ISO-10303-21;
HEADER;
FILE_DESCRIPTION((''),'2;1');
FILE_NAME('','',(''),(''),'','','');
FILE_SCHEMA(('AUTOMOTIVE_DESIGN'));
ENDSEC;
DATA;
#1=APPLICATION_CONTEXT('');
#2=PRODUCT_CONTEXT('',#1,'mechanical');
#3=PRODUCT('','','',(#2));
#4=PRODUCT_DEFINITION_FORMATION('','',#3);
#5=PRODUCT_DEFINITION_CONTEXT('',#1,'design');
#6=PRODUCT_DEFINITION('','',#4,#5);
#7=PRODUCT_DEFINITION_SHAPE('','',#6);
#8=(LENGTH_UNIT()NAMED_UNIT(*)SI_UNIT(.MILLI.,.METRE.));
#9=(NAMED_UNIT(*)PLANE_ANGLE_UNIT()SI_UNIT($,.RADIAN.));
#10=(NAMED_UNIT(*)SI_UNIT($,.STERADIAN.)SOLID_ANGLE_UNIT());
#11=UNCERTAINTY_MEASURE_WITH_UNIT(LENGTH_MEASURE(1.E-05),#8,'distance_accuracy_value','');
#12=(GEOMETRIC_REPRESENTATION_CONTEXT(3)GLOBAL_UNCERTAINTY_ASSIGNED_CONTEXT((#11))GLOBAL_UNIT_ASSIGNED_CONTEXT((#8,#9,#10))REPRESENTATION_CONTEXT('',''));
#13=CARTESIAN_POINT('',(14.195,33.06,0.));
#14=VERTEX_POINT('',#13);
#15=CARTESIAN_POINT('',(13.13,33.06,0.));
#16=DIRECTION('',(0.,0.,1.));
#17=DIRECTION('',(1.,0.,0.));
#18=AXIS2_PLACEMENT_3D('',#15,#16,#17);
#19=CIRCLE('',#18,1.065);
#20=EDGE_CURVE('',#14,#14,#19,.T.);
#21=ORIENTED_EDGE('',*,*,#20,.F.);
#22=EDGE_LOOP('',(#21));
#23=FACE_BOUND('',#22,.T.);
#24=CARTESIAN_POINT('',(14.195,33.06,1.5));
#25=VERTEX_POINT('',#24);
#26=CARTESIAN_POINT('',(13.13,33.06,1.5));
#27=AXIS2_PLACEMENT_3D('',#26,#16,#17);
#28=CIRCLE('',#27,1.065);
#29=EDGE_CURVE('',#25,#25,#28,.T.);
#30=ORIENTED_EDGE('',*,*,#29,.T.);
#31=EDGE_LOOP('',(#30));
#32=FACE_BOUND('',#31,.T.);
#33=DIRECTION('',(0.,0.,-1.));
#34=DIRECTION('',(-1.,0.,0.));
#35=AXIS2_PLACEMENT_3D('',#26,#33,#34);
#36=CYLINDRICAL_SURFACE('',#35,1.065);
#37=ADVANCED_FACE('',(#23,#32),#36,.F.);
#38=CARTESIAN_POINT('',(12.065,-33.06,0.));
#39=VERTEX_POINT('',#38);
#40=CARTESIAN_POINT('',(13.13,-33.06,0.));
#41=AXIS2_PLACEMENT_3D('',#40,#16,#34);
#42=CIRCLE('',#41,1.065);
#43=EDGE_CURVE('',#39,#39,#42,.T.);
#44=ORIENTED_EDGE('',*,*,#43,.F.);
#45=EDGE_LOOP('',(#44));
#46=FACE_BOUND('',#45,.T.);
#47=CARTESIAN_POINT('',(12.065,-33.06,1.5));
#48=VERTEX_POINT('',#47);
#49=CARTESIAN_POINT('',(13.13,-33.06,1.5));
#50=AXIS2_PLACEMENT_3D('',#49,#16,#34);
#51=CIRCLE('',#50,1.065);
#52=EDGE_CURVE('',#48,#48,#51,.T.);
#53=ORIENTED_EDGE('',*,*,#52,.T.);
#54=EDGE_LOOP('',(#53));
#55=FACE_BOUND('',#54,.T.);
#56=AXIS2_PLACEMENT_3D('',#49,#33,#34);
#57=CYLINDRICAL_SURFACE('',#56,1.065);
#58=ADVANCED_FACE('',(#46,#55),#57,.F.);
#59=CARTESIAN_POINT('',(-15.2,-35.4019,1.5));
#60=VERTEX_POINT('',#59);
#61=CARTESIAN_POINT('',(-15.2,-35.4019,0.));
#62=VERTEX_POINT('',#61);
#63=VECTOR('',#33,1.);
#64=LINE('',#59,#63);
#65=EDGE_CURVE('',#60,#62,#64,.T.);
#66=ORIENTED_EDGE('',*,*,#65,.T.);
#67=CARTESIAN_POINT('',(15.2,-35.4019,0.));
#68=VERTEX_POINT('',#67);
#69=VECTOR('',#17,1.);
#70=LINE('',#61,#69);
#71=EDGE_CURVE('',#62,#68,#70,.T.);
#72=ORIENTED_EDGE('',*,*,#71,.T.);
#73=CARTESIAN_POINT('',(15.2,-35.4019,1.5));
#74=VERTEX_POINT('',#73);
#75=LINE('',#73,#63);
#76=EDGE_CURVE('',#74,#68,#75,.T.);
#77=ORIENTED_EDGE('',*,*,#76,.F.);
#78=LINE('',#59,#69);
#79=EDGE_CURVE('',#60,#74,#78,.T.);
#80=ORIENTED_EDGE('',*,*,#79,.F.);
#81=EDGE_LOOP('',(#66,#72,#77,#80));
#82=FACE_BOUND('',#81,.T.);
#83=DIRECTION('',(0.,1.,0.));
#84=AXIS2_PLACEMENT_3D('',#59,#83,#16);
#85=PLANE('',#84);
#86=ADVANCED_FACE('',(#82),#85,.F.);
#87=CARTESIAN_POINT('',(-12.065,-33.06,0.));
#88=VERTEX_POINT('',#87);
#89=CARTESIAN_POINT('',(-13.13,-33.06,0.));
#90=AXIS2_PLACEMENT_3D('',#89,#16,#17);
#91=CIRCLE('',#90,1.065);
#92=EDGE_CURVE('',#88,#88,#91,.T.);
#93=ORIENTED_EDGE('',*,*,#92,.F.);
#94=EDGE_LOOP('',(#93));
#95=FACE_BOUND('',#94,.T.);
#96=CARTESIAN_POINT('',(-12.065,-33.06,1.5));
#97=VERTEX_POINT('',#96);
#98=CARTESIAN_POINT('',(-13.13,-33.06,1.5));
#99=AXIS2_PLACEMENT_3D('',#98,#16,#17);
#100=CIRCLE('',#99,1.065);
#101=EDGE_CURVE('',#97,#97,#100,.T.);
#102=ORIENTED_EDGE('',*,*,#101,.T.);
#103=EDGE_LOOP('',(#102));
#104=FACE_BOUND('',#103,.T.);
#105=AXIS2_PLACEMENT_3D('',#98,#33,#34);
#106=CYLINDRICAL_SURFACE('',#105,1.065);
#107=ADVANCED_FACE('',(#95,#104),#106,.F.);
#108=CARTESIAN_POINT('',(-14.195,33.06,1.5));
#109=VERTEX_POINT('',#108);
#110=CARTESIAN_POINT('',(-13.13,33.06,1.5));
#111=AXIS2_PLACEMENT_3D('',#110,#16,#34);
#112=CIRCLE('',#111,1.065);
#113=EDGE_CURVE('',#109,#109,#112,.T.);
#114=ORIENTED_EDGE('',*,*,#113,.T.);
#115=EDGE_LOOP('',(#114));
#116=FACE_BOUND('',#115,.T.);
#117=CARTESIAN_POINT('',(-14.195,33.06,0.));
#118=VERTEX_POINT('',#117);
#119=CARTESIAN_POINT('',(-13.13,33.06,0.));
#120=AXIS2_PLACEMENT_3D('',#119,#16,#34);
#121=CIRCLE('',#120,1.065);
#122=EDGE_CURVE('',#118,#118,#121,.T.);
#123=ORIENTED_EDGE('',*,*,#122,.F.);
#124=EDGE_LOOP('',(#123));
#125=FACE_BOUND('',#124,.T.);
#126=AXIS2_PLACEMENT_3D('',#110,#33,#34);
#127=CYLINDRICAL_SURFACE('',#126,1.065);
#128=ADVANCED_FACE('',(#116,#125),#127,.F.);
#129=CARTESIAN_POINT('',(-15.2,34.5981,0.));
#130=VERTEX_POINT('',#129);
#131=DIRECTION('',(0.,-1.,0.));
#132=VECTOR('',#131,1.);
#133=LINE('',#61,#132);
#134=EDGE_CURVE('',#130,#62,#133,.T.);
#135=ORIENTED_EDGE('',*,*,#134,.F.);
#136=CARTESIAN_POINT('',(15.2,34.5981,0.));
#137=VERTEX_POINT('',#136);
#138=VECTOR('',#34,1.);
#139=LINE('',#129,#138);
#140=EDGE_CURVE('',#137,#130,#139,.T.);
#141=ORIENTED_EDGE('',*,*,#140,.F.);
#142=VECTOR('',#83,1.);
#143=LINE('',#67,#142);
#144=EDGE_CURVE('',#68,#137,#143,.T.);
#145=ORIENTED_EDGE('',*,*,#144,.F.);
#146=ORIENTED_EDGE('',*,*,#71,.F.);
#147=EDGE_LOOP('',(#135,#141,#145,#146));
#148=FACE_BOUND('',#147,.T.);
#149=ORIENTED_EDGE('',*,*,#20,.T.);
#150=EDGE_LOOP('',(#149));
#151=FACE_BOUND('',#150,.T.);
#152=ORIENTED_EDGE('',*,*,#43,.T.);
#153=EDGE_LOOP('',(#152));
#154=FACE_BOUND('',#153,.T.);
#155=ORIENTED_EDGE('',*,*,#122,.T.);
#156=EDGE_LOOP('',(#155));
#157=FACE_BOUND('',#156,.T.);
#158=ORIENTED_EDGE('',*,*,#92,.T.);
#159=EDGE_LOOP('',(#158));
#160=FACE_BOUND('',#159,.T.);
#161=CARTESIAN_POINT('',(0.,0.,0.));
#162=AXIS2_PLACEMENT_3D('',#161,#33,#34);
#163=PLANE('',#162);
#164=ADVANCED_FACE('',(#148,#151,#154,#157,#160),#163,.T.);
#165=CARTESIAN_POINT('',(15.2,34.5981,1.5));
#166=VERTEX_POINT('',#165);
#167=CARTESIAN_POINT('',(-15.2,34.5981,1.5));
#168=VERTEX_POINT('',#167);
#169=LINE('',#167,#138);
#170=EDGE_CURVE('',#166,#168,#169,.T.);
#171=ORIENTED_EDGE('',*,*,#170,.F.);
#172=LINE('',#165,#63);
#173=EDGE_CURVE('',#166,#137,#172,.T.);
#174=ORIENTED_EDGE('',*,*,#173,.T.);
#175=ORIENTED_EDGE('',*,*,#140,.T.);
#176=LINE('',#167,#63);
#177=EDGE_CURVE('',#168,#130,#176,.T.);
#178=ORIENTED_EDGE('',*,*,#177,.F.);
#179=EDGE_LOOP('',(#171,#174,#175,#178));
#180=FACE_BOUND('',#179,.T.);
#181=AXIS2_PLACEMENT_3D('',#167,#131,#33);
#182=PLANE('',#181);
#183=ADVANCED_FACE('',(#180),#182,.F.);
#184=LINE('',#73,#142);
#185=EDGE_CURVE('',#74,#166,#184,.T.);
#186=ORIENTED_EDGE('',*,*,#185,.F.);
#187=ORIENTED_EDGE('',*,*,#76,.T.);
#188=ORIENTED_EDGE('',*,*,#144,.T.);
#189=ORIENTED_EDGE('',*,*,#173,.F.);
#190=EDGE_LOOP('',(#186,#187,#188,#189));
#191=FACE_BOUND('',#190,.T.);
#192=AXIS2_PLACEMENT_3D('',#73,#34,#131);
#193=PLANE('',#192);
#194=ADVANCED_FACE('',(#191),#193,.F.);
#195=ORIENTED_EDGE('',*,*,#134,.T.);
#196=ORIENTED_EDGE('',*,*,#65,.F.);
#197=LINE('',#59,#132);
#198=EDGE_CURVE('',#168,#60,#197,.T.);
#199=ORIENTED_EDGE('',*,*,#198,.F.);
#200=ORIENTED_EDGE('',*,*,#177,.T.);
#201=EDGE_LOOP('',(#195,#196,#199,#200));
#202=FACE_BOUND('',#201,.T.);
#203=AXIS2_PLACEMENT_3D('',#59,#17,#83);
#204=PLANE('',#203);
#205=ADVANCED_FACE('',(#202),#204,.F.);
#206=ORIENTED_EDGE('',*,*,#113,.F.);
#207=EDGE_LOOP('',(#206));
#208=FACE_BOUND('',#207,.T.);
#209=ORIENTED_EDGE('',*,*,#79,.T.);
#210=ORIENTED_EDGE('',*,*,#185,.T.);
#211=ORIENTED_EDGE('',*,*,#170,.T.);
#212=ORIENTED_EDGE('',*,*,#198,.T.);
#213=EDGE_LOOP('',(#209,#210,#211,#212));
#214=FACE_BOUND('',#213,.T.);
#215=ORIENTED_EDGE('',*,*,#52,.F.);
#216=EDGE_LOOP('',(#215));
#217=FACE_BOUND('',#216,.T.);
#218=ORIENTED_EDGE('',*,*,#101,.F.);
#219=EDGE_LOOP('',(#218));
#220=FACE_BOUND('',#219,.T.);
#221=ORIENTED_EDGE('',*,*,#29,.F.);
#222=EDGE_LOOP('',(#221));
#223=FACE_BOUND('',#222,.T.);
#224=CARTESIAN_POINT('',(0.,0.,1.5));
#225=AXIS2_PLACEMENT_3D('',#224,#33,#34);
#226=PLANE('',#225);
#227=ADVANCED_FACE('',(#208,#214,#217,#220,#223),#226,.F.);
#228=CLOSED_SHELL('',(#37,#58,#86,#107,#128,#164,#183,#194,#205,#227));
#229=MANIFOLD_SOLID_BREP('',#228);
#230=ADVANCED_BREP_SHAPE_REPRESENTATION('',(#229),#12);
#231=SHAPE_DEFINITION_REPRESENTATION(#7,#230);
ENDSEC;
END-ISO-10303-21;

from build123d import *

# Parameters (mm, degrees)
SKETCH1_W           = 30.4
SKETCH1_H           = 70
SKETCH1_R           = 1.065
BOSS_EXTRUDE1_DEPTH = 1.5


with BuildPart() as part:
    # Sketch1 → Boss-Extrude1 (new body)
    with BuildSketch(Plane.XY):
        with Locations((0, -0.401900364)):
            Rectangle(SKETCH1_W, SKETCH1_H)
        with Locations((13.13, 33.06)):
            Circle(SKETCH1_R, mode=Mode.SUBTRACT)
        with Locations(Location((-13.13, 33.06, 0), (0, 0, 180))):
            Circle(SKETCH1_R, mode=Mode.SUBTRACT)
        with Locations((-13.13, -33.06)):
            Circle(SKETCH1_R, mode=Mode.SUBTRACT)
        with Locations(Location((13.13, -33.06, 0), (0, 0, 180))):
            Circle(SKETCH1_R, mode=Mode.SUBTRACT)
    extrude(amount=BOSS_EXTRUDE1_DEPTH)


solid = part.part
